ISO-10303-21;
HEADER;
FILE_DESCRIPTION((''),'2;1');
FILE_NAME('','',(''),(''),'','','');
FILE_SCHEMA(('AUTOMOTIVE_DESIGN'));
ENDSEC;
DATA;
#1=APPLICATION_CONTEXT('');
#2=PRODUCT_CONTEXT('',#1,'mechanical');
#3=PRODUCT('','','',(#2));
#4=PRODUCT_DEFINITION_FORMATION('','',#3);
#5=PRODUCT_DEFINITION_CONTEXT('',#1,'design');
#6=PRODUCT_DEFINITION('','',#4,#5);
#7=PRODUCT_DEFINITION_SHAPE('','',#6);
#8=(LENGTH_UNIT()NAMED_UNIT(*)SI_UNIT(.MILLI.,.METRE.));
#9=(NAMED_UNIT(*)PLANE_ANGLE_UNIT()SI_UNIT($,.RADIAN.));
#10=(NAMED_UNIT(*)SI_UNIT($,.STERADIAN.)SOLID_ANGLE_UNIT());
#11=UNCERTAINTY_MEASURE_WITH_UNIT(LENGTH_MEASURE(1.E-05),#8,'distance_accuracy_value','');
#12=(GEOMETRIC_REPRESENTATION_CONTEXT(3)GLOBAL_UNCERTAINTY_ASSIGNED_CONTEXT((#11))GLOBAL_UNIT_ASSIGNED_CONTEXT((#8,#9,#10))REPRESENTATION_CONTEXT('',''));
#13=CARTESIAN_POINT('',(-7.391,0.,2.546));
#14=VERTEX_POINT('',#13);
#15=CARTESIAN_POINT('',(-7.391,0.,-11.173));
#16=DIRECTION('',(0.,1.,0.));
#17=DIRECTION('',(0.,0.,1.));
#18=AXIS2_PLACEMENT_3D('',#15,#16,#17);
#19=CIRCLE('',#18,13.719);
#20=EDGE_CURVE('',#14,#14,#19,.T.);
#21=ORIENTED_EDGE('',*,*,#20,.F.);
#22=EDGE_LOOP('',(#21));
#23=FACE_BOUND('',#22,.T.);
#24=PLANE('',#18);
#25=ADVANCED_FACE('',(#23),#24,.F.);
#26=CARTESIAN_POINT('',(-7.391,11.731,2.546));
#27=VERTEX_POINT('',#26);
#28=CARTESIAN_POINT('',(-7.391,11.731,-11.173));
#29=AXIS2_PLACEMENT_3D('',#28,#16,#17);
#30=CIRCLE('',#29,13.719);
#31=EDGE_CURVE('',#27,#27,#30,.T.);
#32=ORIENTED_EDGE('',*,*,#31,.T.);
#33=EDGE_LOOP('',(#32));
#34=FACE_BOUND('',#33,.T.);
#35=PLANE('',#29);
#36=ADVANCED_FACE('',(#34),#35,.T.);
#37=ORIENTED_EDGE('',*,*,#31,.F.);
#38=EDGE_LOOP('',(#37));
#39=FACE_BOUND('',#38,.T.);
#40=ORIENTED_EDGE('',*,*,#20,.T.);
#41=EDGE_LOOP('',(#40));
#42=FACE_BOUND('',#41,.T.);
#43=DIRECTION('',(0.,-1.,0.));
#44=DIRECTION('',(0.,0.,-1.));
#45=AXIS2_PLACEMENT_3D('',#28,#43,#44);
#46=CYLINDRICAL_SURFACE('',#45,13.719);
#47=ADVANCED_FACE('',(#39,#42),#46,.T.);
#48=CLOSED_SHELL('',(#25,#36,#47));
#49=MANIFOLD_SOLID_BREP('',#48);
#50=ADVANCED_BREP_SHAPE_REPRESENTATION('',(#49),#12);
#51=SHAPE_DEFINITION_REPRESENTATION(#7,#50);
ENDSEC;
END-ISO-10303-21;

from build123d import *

# Parameters (mm, degrees)
CURVESKETCH_R   = 13.719
CURVEBOSS_DEPTH = 11.731


with BuildPart() as part:
    # CurveSketch → CurveBoss (new body)
    with BuildSketch(Plane(origin=(0, 0, 0), x_dir=(1, 0, 0), z_dir=(0, 1, 0))):
        with Locations(Location((-7.391, 11.173, 0), (0, 0, 270))):
            Circle(CURVESKETCH_R)
    extrude(amount=CURVEBOSS_DEPTH)


solid = part.part
